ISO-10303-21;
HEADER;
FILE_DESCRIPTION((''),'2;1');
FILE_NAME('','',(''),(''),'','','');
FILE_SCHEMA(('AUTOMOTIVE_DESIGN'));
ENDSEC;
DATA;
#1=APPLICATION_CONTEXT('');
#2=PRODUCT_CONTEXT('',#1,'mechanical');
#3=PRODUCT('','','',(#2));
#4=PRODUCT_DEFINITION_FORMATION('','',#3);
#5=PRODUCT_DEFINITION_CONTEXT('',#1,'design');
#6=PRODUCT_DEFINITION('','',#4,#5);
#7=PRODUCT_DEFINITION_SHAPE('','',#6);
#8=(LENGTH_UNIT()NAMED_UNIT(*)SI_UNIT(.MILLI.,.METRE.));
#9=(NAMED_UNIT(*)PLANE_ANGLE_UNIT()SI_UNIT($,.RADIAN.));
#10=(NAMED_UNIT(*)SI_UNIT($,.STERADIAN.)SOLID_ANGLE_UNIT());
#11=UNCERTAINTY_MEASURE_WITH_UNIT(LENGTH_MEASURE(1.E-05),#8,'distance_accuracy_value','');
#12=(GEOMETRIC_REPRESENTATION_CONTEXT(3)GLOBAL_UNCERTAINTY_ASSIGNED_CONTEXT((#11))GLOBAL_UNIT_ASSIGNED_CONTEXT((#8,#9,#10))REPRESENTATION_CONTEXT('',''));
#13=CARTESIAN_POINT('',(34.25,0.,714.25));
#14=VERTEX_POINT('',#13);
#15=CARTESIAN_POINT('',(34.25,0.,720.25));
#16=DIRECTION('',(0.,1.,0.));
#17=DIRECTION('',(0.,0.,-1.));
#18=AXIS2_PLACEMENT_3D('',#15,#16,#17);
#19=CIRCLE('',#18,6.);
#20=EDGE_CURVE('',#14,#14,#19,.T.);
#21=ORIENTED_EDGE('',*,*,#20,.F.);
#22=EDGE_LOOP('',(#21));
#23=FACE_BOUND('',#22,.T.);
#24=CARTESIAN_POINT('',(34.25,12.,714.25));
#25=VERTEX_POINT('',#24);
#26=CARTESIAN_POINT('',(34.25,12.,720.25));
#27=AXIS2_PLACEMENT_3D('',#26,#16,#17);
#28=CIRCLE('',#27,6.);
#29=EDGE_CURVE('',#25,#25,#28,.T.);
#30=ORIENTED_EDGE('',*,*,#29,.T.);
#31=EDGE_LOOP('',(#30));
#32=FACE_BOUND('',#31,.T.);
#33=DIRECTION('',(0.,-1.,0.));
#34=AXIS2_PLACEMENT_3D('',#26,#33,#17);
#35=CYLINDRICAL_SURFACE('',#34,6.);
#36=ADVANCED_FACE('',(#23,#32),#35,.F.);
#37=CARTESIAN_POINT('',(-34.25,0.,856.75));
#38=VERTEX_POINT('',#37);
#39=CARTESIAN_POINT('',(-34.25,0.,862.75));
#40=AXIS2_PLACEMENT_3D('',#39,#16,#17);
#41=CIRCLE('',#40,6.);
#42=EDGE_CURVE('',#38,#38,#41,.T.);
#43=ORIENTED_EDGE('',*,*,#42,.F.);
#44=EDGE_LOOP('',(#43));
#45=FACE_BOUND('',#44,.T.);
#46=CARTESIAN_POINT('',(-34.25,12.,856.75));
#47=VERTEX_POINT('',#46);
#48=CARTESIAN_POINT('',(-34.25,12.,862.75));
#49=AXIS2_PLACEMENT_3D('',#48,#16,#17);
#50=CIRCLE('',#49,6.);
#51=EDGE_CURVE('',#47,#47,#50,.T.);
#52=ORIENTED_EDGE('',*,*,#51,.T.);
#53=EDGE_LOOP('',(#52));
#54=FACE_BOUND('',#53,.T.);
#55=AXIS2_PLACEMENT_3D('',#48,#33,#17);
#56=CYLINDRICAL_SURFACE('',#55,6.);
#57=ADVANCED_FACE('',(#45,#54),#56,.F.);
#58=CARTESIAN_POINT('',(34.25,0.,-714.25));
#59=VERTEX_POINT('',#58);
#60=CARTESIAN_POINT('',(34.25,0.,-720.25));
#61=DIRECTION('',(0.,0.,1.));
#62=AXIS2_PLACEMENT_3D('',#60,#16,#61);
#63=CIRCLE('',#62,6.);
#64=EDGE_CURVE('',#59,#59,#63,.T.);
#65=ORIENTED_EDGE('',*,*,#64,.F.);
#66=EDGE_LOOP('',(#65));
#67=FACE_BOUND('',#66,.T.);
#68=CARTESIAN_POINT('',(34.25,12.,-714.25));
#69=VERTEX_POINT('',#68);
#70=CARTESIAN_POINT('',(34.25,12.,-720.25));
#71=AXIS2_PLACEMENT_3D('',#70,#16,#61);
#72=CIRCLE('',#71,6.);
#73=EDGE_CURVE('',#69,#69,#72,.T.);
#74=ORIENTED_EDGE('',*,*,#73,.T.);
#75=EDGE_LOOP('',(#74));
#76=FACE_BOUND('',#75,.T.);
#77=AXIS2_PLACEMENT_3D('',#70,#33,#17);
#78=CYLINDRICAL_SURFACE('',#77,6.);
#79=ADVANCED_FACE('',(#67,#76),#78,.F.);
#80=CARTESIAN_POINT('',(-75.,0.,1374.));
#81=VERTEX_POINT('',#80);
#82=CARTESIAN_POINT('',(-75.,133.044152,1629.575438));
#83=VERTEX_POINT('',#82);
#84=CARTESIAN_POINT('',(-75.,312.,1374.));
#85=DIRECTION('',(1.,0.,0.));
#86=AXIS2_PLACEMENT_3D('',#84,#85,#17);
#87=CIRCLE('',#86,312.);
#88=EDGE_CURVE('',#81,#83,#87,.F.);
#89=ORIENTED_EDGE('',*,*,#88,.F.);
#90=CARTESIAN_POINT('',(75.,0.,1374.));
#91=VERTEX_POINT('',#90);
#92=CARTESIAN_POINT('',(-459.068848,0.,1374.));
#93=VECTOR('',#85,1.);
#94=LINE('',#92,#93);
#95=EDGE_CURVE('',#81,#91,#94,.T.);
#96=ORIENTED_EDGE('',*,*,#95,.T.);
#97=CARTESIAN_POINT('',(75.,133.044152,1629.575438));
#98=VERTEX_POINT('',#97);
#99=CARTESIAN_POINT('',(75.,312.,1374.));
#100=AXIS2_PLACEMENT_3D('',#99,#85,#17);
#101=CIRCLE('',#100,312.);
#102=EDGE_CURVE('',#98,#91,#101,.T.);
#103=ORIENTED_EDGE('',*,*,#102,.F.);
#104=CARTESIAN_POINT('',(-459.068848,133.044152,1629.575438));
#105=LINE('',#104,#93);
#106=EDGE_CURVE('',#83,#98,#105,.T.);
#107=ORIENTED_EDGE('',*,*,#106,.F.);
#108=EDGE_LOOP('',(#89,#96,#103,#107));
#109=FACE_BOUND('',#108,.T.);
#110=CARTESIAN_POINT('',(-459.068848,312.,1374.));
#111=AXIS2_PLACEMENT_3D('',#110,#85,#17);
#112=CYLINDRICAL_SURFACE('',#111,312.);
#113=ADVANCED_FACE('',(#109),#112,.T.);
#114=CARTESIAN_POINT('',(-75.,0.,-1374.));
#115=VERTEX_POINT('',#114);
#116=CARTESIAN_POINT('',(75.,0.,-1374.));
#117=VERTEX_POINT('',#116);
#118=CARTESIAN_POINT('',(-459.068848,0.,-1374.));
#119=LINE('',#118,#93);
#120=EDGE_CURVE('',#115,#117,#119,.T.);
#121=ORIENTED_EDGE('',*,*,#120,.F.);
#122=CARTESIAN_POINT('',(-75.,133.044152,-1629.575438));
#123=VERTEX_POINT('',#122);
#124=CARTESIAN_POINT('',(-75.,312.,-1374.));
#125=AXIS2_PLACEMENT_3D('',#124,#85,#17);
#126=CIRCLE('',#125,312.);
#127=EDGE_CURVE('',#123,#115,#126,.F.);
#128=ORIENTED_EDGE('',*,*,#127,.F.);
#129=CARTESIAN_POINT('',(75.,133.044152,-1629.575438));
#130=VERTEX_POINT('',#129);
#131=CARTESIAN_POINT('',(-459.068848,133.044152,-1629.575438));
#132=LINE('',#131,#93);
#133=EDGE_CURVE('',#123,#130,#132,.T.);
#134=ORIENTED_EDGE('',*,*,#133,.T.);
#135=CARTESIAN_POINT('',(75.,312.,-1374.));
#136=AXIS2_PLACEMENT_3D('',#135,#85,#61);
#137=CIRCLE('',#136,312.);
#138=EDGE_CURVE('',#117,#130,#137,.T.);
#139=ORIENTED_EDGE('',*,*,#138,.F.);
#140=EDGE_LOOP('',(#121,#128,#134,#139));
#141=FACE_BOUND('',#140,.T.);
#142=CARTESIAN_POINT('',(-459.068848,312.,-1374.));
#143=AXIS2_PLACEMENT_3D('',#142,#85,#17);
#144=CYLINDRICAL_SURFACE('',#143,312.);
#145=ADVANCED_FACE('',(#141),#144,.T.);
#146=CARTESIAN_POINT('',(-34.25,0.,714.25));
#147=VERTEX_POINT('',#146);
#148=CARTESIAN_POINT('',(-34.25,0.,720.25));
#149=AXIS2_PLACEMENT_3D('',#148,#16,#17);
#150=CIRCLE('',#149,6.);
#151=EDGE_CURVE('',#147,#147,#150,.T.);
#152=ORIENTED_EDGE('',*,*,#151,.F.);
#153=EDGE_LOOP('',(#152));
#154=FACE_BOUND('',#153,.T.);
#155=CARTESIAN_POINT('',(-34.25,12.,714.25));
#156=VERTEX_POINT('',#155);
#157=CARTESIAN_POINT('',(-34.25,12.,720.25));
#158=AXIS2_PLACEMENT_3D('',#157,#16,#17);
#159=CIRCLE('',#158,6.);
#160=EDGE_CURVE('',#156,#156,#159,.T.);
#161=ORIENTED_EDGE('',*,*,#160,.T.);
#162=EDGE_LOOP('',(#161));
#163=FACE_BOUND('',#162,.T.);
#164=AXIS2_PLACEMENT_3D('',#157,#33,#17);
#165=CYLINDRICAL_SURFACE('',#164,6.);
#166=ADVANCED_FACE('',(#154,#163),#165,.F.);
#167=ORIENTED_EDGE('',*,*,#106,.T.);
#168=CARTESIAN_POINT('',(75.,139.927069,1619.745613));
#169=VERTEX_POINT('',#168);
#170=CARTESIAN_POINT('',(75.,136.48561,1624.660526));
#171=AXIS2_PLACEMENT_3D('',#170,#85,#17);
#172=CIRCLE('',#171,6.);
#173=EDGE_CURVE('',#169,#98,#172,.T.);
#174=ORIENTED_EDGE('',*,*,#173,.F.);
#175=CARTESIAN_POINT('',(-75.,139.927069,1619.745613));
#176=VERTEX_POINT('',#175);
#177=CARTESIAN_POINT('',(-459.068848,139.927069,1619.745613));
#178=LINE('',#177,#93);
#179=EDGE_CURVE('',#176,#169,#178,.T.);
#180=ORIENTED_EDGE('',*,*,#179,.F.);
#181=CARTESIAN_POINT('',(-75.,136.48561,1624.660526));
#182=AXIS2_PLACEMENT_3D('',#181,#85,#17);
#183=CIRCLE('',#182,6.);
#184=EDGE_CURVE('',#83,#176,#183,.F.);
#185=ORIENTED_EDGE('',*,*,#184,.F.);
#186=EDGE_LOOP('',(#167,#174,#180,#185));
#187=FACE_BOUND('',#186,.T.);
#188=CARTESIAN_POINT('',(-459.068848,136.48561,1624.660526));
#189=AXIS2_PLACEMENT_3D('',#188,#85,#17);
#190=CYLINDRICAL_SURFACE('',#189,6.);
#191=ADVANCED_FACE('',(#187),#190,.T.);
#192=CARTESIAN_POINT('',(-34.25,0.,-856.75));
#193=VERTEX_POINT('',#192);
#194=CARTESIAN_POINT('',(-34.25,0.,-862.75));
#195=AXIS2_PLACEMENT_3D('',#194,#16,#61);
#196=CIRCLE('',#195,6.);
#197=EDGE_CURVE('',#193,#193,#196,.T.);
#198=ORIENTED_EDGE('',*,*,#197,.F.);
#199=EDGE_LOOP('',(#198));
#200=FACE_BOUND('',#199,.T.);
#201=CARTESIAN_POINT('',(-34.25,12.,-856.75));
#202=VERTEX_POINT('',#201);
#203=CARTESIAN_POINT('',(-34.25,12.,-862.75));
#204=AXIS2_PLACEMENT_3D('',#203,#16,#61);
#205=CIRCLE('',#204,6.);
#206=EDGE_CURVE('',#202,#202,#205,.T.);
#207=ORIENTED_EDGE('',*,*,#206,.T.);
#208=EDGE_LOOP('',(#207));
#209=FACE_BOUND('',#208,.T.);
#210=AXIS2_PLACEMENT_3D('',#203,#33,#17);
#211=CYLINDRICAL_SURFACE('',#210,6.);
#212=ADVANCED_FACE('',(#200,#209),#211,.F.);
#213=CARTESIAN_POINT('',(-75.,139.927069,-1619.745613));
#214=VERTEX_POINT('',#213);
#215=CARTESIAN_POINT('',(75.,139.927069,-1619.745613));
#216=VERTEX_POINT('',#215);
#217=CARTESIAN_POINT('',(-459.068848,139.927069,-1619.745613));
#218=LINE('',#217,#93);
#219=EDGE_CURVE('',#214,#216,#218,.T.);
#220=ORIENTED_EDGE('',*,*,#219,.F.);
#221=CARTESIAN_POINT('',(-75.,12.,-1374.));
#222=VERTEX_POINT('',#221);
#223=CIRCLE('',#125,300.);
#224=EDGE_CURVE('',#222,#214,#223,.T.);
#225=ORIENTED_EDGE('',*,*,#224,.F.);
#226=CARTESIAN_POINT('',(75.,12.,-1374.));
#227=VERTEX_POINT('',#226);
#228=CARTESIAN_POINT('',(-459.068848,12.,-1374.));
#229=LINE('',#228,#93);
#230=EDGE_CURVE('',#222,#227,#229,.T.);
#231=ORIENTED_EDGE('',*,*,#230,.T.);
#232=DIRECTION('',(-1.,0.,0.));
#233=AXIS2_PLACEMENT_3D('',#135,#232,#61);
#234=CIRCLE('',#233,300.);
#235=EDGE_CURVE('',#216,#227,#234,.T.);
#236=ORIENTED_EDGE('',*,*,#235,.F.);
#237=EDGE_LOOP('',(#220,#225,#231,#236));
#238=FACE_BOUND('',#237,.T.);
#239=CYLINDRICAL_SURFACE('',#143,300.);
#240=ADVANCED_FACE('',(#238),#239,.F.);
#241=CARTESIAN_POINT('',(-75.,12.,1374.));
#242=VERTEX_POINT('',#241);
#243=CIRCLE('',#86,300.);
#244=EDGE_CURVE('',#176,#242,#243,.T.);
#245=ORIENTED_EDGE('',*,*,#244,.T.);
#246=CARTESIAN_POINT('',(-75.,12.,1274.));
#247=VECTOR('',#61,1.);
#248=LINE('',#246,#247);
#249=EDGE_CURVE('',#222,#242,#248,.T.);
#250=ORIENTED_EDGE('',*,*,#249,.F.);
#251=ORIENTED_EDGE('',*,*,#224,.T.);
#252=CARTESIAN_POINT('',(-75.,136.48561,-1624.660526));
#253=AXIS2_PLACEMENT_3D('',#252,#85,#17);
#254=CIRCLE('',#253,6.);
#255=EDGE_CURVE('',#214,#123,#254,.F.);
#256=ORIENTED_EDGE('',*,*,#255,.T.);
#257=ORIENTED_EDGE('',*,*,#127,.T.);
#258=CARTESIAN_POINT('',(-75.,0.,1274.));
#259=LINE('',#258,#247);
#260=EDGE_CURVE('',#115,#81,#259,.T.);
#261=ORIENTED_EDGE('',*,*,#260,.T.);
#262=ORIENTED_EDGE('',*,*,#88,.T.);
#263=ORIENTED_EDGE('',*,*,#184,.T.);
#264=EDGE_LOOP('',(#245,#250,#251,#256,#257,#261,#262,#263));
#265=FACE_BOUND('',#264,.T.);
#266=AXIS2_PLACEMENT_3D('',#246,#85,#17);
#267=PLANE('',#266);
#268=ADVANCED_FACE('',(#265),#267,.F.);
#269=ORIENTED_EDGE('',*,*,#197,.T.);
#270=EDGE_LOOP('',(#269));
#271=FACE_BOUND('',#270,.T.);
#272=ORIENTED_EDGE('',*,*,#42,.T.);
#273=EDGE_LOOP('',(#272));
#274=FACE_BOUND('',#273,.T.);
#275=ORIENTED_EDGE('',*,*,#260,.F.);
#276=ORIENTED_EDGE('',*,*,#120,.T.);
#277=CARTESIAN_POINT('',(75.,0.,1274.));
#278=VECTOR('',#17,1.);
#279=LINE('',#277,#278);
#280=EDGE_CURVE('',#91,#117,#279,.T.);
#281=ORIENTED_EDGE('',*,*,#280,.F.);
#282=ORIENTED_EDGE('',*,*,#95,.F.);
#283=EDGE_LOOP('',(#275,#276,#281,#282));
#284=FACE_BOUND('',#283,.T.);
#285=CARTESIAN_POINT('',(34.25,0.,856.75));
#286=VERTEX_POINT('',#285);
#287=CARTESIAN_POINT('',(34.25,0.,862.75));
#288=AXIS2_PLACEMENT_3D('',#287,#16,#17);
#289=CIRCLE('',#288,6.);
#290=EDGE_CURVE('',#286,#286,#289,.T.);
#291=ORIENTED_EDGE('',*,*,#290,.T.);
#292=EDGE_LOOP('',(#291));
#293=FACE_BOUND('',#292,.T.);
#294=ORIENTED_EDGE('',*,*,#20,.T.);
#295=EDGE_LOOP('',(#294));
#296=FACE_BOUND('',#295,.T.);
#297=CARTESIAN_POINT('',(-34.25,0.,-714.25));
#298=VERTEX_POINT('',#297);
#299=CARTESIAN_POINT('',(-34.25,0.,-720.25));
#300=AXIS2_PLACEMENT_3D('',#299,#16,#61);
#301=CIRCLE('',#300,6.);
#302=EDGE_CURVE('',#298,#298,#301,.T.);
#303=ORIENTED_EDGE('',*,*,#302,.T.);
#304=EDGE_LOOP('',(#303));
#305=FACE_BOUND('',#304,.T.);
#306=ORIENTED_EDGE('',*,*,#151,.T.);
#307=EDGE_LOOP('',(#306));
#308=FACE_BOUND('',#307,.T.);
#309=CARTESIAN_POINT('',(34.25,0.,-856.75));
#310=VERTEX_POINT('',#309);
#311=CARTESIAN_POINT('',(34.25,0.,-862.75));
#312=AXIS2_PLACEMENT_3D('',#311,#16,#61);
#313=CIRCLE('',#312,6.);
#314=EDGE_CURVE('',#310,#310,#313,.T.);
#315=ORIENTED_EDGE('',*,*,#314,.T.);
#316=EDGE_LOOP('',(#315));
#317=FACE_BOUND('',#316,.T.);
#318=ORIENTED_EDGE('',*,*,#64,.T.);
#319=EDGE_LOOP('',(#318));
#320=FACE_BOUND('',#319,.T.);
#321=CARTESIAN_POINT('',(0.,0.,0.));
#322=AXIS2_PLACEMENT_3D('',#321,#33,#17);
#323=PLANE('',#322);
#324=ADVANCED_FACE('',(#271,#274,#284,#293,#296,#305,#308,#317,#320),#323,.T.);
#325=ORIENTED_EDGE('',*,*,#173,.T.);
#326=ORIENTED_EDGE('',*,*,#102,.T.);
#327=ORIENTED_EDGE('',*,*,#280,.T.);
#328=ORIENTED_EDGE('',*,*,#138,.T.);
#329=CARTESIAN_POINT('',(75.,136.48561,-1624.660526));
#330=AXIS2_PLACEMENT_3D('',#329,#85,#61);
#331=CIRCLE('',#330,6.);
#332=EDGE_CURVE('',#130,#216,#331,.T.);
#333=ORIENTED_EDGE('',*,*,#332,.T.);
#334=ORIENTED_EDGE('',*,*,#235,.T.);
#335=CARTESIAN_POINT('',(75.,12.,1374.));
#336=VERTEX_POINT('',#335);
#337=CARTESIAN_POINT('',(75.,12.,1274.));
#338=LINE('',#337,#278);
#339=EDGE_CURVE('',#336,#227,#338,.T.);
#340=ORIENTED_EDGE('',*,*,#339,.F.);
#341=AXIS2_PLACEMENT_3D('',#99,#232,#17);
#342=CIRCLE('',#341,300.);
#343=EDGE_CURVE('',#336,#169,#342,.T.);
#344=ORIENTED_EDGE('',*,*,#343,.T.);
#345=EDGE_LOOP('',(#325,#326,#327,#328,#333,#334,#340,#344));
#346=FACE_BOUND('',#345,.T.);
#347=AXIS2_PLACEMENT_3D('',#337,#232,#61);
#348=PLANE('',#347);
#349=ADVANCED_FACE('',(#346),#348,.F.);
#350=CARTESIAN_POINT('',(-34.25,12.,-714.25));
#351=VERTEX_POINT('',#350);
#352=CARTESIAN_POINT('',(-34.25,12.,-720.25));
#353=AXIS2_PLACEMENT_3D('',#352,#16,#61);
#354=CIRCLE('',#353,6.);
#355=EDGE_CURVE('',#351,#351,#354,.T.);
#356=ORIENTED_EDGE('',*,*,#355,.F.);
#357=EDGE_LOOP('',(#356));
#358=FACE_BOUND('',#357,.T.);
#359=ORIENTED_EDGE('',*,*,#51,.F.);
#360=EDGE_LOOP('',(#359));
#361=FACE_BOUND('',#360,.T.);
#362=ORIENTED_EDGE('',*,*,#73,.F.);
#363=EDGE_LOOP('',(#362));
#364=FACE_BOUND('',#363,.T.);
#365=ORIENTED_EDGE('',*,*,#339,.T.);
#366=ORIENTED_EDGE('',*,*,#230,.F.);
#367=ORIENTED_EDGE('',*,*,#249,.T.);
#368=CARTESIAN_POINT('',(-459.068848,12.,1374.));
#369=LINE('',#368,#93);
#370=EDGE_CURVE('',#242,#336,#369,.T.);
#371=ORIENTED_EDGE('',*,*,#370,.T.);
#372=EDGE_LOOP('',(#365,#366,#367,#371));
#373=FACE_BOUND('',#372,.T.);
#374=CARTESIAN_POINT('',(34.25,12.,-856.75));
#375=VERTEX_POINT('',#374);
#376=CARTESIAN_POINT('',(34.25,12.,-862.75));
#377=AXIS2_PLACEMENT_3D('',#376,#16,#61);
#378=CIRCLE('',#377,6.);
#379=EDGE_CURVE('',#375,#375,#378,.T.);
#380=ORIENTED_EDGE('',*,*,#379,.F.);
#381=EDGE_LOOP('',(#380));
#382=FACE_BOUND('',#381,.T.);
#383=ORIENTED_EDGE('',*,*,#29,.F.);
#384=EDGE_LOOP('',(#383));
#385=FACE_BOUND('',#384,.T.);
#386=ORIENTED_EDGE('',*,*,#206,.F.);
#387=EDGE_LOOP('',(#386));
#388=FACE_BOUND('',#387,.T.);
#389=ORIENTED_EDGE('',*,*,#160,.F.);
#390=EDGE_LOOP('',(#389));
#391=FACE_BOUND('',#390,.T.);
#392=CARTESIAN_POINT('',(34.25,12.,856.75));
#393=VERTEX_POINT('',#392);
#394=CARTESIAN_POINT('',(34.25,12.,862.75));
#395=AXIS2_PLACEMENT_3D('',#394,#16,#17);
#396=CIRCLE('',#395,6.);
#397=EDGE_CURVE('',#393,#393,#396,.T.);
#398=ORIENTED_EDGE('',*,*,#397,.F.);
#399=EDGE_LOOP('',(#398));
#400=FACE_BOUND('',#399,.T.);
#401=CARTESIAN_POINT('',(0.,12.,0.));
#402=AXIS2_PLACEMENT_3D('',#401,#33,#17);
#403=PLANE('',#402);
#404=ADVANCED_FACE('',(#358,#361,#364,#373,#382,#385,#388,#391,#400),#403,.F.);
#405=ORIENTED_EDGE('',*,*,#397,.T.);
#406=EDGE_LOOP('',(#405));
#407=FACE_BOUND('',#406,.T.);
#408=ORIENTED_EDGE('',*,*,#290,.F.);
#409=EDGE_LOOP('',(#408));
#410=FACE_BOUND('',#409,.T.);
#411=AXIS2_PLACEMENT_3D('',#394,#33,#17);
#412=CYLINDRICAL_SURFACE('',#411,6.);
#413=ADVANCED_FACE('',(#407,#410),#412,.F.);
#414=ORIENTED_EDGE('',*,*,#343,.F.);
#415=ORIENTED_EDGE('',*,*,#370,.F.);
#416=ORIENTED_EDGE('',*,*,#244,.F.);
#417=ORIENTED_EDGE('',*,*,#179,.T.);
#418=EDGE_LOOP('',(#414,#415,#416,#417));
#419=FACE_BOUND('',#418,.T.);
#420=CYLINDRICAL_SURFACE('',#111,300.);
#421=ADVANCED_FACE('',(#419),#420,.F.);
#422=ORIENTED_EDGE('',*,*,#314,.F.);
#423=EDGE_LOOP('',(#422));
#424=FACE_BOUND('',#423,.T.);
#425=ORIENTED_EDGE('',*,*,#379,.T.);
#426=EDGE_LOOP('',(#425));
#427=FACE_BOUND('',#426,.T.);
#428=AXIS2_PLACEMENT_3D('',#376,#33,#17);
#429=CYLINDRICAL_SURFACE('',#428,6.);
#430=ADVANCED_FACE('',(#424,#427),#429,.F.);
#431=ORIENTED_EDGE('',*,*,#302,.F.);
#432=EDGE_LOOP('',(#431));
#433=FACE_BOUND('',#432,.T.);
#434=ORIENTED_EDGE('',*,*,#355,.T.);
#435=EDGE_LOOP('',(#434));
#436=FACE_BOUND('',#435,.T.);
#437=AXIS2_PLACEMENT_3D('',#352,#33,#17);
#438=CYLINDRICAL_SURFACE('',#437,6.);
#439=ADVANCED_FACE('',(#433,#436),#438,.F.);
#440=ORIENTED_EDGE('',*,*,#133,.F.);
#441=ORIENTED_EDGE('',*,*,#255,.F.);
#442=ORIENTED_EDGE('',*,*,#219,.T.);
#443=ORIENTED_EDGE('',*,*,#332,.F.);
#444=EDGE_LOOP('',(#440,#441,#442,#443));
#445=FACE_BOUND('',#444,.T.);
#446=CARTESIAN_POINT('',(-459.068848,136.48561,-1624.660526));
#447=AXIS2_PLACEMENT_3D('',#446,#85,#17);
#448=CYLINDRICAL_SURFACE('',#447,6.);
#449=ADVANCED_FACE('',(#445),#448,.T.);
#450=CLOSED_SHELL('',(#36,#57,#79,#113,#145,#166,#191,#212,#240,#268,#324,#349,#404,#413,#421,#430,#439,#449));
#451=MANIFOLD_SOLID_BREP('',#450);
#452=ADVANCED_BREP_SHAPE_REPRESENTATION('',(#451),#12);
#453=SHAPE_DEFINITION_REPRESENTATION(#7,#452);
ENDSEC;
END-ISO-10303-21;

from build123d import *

# Parameters (mm, degrees)
SKETCH1_W           = 150
SKETCH1_H           = 2548
SKETCH1_R           = 6
BOSS_EXTRUDE1_DEPTH = 12
BOSS_EXTRUDE2_DEPTH = 150


with BuildPart() as part:
    # Sketch1 → Boss-Extrude1 (new body)
    with BuildSketch(Plane(origin=(0, 0, 0), x_dir=(1, 0, 0), z_dir=(0, 1, 0))):
        Rectangle(SKETCH1_W, SKETCH1_H)
        with Locations(Location((-34.25, 720.25, 0), (0, 0, 270))):
            Circle(SKETCH1_R, mode=Mode.SUBTRACT)
        with Locations(Location((34.25, 720.25, 0), (0, 0, 270))):
            Circle(SKETCH1_R, mode=Mode.SUBTRACT)
        with Locations(Location((-34.25, 862.75, 0), (0, 0, 270))):
            Circle(SKETCH1_R, mode=Mode.SUBTRACT)
        with Locations(Location((34.25, 862.75, 0), (0, 0, 270))):
            Circle(SKETCH1_R, mode=Mode.SUBTRACT)
        with Locations(Location((34.25, -720.25, 0), (0, 0, 90))):
            Circle(SKETCH1_R, mode=Mode.SUBTRACT)
        with Locations(Location((-34.25, -720.25, 0), (0, 0, 90))):
            Circle(SKETCH1_R, mode=Mode.SUBTRACT)
        with Locations(Location((34.25, -862.75, 0), (0, 0, 90))):
            Circle(SKETCH1_R, mode=Mode.SUBTRACT)
        with Locations(Location((-34.25, -862.75, 0), (0, 0, 90))):
            Circle(SKETCH1_R, mode=Mode.SUBTRACT)
    extrude(amount=BOSS_EXTRUDE1_DEPTH)

    # Sketch2 → Boss-Extrude2 (add)
    with BuildSketch(Plane(origin=(75, 0, 0), x_dir=(0, 0, -1), z_dir=(1, 0, 0))):
        with BuildLine():
            Line((-1274, 0), (-1374, 0))
            ThreePointArc((-1374, 0), (-1518.065567329, 35.252620048), (-1629.575437818, 133.044151858))
            ThreePointArc((-1629.575437818, 133.044151858), (-1628.101984171, 141.400522742), (-1619.745613287, 139.927069095))
            ThreePointArc((-1619.745613287, 139.927069095), (-1512.524583971, 45.896750047), (-1374, 12))
            Line((-1374, 12), (-1274, 12))
            Line((-1274, 12), (-1274, 0))
        make_face()
        with BuildLine():
            Line((1274, 12), (1374, 12))
            ThreePointArc((1374, 12), (1512.524583971, 45.896750047), (1619.745613287, 139.927069095))
            ThreePointArc((1619.745613287, 139.927069095), (1628.101984171, 141.400522742), (1629.575437818, 133.044151858))
            ThreePointArc((1629.575437818, 133.044151858), (1518.065567329, 35.252620048), (1374, 0))
            Line((1374, 0), (1274, 0))
            Line((1274, 0), (1274, 12))
        make_face()
    extrude(amount=-BOSS_EXTRUDE2_DEPTH)


solid = part.part
